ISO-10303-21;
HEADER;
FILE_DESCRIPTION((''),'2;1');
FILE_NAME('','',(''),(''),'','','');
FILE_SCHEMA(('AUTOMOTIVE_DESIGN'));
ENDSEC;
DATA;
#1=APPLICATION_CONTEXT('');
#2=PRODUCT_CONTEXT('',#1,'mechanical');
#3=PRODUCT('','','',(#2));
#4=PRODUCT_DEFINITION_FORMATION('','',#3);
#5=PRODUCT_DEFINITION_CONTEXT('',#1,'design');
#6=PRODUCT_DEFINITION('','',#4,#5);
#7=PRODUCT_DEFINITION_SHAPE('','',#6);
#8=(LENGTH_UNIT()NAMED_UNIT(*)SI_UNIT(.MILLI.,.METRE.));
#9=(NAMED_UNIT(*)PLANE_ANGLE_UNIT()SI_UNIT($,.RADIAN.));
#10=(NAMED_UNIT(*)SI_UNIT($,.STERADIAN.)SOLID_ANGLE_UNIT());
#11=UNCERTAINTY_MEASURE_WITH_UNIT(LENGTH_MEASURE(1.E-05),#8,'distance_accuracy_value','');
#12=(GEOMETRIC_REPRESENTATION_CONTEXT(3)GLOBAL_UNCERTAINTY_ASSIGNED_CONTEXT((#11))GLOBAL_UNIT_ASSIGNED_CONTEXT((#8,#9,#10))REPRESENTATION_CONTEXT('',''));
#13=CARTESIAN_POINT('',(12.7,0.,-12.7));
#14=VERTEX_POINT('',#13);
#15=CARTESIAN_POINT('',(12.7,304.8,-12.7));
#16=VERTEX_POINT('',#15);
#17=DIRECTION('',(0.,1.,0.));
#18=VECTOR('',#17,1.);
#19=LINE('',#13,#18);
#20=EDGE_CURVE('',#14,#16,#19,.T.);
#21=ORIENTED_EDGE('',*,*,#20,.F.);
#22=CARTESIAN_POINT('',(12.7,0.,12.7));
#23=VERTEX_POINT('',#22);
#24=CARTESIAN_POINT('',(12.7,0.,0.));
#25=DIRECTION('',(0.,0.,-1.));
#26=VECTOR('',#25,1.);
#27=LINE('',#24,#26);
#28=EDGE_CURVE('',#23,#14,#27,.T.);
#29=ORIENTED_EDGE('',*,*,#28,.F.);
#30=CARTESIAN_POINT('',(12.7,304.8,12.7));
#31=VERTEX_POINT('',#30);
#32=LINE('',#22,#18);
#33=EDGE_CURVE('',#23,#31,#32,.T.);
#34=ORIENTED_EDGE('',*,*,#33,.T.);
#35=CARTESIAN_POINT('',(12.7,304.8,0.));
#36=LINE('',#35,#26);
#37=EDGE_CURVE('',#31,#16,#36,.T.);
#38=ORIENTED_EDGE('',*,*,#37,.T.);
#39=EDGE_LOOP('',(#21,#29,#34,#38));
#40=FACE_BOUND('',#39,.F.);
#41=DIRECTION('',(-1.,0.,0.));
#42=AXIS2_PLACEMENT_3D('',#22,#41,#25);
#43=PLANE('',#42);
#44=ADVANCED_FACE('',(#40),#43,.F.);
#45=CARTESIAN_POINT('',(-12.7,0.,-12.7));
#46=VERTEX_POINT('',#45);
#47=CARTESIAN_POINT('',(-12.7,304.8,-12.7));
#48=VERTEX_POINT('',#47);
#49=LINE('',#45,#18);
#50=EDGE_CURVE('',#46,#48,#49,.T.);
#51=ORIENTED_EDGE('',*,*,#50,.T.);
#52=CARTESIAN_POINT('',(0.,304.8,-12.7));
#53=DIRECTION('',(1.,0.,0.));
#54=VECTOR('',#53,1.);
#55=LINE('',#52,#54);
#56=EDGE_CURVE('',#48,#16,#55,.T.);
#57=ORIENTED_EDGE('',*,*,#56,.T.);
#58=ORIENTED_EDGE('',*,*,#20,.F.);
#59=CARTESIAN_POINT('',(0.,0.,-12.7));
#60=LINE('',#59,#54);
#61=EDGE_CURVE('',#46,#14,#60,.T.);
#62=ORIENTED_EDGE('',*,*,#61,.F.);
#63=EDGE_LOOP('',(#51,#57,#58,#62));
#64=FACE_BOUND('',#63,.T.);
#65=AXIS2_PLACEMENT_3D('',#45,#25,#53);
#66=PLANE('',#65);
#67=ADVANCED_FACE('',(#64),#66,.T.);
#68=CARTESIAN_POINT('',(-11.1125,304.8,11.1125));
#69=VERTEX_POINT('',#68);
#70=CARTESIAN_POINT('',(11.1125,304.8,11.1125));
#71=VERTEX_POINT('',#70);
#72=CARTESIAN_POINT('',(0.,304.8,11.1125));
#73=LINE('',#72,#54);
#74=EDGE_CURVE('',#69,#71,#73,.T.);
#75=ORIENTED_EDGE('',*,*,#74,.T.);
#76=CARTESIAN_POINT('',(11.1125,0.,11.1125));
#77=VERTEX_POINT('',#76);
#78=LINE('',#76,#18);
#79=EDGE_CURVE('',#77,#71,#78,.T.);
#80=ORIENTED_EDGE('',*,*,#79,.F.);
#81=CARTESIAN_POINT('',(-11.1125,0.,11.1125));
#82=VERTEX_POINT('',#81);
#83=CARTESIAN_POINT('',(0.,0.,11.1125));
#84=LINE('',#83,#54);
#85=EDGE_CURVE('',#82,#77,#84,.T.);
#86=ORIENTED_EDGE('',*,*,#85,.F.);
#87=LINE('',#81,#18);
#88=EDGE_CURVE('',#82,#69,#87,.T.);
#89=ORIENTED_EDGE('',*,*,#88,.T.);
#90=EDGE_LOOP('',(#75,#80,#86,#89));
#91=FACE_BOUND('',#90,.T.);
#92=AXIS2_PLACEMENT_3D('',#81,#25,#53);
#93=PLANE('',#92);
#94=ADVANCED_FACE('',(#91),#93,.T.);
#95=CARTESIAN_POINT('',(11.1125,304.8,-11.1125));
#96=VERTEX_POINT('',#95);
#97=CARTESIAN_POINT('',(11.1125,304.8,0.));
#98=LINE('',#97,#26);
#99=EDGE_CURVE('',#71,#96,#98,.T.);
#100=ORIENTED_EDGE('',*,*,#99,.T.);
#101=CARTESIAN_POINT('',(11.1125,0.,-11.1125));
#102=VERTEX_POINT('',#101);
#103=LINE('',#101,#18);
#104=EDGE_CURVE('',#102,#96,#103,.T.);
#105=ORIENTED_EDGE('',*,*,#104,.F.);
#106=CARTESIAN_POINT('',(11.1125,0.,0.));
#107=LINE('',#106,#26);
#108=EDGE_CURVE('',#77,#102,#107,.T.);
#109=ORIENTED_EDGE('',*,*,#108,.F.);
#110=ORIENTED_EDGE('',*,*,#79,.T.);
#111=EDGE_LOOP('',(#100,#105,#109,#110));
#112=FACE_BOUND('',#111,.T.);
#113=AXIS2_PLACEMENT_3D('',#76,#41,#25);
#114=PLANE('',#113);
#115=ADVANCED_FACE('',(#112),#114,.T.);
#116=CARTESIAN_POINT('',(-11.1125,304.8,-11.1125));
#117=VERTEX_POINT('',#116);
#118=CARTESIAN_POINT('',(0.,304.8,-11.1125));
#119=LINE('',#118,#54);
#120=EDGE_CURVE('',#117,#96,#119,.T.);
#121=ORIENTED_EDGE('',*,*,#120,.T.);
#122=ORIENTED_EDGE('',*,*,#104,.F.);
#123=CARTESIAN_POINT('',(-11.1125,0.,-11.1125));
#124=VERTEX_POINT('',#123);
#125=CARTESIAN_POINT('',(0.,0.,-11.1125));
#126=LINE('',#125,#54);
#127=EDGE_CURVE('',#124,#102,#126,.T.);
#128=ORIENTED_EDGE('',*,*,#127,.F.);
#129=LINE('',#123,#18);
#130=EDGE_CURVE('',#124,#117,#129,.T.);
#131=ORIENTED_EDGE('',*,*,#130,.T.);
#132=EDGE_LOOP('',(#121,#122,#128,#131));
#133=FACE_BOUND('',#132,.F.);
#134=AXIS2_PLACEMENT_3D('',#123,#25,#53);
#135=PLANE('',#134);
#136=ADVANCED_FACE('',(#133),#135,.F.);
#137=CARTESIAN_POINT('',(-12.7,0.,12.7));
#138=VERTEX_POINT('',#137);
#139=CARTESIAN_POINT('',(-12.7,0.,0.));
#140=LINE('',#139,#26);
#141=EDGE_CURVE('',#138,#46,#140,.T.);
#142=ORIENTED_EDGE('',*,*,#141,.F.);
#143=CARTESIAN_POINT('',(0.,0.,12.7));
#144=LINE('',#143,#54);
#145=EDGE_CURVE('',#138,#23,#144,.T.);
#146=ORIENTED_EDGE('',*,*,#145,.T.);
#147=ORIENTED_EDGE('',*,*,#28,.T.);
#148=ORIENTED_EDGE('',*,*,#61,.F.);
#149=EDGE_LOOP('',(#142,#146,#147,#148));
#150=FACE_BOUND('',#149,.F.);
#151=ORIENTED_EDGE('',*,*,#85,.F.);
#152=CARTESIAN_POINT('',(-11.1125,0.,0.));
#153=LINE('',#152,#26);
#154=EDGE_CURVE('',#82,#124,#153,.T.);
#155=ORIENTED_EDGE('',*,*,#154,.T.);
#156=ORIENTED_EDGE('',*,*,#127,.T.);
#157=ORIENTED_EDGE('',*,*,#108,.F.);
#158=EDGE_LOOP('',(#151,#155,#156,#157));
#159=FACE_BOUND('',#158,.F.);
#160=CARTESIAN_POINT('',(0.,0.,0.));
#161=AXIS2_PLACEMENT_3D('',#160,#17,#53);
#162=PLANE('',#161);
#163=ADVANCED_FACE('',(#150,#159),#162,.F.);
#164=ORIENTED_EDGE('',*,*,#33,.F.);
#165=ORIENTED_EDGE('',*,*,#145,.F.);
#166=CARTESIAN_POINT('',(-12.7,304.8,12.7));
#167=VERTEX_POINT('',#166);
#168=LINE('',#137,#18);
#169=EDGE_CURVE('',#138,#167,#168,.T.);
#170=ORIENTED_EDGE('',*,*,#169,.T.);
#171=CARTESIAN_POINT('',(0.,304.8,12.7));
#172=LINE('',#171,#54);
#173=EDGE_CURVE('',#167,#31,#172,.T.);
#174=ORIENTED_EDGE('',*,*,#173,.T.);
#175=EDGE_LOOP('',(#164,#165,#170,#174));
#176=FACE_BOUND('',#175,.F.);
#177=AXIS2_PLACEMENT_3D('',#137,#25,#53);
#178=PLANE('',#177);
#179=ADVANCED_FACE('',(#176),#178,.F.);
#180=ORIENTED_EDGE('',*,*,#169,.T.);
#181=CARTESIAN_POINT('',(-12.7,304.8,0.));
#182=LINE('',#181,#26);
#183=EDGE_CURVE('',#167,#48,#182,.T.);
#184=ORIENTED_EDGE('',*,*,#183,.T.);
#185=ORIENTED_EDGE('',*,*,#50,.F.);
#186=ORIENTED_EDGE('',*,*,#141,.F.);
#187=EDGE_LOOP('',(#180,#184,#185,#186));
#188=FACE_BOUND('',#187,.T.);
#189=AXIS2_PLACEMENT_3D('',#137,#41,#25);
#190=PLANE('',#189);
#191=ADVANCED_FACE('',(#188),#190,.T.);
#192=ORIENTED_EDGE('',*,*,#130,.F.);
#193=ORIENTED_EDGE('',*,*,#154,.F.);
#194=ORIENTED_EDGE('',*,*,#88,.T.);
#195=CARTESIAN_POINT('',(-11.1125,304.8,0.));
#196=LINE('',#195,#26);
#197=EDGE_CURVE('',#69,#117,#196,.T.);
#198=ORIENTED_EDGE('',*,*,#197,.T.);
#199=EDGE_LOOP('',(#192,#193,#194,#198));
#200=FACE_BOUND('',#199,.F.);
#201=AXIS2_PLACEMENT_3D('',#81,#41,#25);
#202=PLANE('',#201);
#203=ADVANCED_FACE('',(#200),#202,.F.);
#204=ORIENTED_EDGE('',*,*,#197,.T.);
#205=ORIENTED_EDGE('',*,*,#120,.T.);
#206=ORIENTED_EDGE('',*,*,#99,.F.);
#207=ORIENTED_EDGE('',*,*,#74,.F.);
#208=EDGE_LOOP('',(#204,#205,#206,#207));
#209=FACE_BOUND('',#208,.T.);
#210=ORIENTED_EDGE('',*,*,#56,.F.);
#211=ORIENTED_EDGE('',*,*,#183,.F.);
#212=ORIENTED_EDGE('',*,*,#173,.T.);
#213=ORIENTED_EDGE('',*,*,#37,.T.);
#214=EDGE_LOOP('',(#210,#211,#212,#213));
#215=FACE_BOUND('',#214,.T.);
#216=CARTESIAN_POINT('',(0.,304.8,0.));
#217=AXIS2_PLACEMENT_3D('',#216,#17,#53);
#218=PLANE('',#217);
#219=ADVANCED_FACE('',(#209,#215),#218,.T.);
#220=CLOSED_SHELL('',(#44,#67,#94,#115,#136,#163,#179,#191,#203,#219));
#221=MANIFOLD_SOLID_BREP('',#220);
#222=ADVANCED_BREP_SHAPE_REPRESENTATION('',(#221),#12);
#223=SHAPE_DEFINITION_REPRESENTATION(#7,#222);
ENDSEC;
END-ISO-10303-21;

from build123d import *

# Parameters (mm, degrees)
SKETCH1_W           = 25.4
SKETCH1_H           = 25.4
SKETCH1_W_2         = 22.225
SKETCH1_H_2         = 22.225
BOSS_EXTRUDE1_DEPTH = 304.8


with BuildPart() as part:
    # Sketch1 → Boss-Extrude1 (new body)
    with BuildSketch(Plane(origin=(0, 0, 0), x_dir=(1, 0, 0), z_dir=(0, 1, 0))):
        Rectangle(SKETCH1_W, SKETCH1_H)
        Rectangle(SKETCH1_W_2, SKETCH1_H_2, mode=Mode.SUBTRACT)
    extrude(amount=BOSS_EXTRUDE1_DEPTH)


solid = part.part
